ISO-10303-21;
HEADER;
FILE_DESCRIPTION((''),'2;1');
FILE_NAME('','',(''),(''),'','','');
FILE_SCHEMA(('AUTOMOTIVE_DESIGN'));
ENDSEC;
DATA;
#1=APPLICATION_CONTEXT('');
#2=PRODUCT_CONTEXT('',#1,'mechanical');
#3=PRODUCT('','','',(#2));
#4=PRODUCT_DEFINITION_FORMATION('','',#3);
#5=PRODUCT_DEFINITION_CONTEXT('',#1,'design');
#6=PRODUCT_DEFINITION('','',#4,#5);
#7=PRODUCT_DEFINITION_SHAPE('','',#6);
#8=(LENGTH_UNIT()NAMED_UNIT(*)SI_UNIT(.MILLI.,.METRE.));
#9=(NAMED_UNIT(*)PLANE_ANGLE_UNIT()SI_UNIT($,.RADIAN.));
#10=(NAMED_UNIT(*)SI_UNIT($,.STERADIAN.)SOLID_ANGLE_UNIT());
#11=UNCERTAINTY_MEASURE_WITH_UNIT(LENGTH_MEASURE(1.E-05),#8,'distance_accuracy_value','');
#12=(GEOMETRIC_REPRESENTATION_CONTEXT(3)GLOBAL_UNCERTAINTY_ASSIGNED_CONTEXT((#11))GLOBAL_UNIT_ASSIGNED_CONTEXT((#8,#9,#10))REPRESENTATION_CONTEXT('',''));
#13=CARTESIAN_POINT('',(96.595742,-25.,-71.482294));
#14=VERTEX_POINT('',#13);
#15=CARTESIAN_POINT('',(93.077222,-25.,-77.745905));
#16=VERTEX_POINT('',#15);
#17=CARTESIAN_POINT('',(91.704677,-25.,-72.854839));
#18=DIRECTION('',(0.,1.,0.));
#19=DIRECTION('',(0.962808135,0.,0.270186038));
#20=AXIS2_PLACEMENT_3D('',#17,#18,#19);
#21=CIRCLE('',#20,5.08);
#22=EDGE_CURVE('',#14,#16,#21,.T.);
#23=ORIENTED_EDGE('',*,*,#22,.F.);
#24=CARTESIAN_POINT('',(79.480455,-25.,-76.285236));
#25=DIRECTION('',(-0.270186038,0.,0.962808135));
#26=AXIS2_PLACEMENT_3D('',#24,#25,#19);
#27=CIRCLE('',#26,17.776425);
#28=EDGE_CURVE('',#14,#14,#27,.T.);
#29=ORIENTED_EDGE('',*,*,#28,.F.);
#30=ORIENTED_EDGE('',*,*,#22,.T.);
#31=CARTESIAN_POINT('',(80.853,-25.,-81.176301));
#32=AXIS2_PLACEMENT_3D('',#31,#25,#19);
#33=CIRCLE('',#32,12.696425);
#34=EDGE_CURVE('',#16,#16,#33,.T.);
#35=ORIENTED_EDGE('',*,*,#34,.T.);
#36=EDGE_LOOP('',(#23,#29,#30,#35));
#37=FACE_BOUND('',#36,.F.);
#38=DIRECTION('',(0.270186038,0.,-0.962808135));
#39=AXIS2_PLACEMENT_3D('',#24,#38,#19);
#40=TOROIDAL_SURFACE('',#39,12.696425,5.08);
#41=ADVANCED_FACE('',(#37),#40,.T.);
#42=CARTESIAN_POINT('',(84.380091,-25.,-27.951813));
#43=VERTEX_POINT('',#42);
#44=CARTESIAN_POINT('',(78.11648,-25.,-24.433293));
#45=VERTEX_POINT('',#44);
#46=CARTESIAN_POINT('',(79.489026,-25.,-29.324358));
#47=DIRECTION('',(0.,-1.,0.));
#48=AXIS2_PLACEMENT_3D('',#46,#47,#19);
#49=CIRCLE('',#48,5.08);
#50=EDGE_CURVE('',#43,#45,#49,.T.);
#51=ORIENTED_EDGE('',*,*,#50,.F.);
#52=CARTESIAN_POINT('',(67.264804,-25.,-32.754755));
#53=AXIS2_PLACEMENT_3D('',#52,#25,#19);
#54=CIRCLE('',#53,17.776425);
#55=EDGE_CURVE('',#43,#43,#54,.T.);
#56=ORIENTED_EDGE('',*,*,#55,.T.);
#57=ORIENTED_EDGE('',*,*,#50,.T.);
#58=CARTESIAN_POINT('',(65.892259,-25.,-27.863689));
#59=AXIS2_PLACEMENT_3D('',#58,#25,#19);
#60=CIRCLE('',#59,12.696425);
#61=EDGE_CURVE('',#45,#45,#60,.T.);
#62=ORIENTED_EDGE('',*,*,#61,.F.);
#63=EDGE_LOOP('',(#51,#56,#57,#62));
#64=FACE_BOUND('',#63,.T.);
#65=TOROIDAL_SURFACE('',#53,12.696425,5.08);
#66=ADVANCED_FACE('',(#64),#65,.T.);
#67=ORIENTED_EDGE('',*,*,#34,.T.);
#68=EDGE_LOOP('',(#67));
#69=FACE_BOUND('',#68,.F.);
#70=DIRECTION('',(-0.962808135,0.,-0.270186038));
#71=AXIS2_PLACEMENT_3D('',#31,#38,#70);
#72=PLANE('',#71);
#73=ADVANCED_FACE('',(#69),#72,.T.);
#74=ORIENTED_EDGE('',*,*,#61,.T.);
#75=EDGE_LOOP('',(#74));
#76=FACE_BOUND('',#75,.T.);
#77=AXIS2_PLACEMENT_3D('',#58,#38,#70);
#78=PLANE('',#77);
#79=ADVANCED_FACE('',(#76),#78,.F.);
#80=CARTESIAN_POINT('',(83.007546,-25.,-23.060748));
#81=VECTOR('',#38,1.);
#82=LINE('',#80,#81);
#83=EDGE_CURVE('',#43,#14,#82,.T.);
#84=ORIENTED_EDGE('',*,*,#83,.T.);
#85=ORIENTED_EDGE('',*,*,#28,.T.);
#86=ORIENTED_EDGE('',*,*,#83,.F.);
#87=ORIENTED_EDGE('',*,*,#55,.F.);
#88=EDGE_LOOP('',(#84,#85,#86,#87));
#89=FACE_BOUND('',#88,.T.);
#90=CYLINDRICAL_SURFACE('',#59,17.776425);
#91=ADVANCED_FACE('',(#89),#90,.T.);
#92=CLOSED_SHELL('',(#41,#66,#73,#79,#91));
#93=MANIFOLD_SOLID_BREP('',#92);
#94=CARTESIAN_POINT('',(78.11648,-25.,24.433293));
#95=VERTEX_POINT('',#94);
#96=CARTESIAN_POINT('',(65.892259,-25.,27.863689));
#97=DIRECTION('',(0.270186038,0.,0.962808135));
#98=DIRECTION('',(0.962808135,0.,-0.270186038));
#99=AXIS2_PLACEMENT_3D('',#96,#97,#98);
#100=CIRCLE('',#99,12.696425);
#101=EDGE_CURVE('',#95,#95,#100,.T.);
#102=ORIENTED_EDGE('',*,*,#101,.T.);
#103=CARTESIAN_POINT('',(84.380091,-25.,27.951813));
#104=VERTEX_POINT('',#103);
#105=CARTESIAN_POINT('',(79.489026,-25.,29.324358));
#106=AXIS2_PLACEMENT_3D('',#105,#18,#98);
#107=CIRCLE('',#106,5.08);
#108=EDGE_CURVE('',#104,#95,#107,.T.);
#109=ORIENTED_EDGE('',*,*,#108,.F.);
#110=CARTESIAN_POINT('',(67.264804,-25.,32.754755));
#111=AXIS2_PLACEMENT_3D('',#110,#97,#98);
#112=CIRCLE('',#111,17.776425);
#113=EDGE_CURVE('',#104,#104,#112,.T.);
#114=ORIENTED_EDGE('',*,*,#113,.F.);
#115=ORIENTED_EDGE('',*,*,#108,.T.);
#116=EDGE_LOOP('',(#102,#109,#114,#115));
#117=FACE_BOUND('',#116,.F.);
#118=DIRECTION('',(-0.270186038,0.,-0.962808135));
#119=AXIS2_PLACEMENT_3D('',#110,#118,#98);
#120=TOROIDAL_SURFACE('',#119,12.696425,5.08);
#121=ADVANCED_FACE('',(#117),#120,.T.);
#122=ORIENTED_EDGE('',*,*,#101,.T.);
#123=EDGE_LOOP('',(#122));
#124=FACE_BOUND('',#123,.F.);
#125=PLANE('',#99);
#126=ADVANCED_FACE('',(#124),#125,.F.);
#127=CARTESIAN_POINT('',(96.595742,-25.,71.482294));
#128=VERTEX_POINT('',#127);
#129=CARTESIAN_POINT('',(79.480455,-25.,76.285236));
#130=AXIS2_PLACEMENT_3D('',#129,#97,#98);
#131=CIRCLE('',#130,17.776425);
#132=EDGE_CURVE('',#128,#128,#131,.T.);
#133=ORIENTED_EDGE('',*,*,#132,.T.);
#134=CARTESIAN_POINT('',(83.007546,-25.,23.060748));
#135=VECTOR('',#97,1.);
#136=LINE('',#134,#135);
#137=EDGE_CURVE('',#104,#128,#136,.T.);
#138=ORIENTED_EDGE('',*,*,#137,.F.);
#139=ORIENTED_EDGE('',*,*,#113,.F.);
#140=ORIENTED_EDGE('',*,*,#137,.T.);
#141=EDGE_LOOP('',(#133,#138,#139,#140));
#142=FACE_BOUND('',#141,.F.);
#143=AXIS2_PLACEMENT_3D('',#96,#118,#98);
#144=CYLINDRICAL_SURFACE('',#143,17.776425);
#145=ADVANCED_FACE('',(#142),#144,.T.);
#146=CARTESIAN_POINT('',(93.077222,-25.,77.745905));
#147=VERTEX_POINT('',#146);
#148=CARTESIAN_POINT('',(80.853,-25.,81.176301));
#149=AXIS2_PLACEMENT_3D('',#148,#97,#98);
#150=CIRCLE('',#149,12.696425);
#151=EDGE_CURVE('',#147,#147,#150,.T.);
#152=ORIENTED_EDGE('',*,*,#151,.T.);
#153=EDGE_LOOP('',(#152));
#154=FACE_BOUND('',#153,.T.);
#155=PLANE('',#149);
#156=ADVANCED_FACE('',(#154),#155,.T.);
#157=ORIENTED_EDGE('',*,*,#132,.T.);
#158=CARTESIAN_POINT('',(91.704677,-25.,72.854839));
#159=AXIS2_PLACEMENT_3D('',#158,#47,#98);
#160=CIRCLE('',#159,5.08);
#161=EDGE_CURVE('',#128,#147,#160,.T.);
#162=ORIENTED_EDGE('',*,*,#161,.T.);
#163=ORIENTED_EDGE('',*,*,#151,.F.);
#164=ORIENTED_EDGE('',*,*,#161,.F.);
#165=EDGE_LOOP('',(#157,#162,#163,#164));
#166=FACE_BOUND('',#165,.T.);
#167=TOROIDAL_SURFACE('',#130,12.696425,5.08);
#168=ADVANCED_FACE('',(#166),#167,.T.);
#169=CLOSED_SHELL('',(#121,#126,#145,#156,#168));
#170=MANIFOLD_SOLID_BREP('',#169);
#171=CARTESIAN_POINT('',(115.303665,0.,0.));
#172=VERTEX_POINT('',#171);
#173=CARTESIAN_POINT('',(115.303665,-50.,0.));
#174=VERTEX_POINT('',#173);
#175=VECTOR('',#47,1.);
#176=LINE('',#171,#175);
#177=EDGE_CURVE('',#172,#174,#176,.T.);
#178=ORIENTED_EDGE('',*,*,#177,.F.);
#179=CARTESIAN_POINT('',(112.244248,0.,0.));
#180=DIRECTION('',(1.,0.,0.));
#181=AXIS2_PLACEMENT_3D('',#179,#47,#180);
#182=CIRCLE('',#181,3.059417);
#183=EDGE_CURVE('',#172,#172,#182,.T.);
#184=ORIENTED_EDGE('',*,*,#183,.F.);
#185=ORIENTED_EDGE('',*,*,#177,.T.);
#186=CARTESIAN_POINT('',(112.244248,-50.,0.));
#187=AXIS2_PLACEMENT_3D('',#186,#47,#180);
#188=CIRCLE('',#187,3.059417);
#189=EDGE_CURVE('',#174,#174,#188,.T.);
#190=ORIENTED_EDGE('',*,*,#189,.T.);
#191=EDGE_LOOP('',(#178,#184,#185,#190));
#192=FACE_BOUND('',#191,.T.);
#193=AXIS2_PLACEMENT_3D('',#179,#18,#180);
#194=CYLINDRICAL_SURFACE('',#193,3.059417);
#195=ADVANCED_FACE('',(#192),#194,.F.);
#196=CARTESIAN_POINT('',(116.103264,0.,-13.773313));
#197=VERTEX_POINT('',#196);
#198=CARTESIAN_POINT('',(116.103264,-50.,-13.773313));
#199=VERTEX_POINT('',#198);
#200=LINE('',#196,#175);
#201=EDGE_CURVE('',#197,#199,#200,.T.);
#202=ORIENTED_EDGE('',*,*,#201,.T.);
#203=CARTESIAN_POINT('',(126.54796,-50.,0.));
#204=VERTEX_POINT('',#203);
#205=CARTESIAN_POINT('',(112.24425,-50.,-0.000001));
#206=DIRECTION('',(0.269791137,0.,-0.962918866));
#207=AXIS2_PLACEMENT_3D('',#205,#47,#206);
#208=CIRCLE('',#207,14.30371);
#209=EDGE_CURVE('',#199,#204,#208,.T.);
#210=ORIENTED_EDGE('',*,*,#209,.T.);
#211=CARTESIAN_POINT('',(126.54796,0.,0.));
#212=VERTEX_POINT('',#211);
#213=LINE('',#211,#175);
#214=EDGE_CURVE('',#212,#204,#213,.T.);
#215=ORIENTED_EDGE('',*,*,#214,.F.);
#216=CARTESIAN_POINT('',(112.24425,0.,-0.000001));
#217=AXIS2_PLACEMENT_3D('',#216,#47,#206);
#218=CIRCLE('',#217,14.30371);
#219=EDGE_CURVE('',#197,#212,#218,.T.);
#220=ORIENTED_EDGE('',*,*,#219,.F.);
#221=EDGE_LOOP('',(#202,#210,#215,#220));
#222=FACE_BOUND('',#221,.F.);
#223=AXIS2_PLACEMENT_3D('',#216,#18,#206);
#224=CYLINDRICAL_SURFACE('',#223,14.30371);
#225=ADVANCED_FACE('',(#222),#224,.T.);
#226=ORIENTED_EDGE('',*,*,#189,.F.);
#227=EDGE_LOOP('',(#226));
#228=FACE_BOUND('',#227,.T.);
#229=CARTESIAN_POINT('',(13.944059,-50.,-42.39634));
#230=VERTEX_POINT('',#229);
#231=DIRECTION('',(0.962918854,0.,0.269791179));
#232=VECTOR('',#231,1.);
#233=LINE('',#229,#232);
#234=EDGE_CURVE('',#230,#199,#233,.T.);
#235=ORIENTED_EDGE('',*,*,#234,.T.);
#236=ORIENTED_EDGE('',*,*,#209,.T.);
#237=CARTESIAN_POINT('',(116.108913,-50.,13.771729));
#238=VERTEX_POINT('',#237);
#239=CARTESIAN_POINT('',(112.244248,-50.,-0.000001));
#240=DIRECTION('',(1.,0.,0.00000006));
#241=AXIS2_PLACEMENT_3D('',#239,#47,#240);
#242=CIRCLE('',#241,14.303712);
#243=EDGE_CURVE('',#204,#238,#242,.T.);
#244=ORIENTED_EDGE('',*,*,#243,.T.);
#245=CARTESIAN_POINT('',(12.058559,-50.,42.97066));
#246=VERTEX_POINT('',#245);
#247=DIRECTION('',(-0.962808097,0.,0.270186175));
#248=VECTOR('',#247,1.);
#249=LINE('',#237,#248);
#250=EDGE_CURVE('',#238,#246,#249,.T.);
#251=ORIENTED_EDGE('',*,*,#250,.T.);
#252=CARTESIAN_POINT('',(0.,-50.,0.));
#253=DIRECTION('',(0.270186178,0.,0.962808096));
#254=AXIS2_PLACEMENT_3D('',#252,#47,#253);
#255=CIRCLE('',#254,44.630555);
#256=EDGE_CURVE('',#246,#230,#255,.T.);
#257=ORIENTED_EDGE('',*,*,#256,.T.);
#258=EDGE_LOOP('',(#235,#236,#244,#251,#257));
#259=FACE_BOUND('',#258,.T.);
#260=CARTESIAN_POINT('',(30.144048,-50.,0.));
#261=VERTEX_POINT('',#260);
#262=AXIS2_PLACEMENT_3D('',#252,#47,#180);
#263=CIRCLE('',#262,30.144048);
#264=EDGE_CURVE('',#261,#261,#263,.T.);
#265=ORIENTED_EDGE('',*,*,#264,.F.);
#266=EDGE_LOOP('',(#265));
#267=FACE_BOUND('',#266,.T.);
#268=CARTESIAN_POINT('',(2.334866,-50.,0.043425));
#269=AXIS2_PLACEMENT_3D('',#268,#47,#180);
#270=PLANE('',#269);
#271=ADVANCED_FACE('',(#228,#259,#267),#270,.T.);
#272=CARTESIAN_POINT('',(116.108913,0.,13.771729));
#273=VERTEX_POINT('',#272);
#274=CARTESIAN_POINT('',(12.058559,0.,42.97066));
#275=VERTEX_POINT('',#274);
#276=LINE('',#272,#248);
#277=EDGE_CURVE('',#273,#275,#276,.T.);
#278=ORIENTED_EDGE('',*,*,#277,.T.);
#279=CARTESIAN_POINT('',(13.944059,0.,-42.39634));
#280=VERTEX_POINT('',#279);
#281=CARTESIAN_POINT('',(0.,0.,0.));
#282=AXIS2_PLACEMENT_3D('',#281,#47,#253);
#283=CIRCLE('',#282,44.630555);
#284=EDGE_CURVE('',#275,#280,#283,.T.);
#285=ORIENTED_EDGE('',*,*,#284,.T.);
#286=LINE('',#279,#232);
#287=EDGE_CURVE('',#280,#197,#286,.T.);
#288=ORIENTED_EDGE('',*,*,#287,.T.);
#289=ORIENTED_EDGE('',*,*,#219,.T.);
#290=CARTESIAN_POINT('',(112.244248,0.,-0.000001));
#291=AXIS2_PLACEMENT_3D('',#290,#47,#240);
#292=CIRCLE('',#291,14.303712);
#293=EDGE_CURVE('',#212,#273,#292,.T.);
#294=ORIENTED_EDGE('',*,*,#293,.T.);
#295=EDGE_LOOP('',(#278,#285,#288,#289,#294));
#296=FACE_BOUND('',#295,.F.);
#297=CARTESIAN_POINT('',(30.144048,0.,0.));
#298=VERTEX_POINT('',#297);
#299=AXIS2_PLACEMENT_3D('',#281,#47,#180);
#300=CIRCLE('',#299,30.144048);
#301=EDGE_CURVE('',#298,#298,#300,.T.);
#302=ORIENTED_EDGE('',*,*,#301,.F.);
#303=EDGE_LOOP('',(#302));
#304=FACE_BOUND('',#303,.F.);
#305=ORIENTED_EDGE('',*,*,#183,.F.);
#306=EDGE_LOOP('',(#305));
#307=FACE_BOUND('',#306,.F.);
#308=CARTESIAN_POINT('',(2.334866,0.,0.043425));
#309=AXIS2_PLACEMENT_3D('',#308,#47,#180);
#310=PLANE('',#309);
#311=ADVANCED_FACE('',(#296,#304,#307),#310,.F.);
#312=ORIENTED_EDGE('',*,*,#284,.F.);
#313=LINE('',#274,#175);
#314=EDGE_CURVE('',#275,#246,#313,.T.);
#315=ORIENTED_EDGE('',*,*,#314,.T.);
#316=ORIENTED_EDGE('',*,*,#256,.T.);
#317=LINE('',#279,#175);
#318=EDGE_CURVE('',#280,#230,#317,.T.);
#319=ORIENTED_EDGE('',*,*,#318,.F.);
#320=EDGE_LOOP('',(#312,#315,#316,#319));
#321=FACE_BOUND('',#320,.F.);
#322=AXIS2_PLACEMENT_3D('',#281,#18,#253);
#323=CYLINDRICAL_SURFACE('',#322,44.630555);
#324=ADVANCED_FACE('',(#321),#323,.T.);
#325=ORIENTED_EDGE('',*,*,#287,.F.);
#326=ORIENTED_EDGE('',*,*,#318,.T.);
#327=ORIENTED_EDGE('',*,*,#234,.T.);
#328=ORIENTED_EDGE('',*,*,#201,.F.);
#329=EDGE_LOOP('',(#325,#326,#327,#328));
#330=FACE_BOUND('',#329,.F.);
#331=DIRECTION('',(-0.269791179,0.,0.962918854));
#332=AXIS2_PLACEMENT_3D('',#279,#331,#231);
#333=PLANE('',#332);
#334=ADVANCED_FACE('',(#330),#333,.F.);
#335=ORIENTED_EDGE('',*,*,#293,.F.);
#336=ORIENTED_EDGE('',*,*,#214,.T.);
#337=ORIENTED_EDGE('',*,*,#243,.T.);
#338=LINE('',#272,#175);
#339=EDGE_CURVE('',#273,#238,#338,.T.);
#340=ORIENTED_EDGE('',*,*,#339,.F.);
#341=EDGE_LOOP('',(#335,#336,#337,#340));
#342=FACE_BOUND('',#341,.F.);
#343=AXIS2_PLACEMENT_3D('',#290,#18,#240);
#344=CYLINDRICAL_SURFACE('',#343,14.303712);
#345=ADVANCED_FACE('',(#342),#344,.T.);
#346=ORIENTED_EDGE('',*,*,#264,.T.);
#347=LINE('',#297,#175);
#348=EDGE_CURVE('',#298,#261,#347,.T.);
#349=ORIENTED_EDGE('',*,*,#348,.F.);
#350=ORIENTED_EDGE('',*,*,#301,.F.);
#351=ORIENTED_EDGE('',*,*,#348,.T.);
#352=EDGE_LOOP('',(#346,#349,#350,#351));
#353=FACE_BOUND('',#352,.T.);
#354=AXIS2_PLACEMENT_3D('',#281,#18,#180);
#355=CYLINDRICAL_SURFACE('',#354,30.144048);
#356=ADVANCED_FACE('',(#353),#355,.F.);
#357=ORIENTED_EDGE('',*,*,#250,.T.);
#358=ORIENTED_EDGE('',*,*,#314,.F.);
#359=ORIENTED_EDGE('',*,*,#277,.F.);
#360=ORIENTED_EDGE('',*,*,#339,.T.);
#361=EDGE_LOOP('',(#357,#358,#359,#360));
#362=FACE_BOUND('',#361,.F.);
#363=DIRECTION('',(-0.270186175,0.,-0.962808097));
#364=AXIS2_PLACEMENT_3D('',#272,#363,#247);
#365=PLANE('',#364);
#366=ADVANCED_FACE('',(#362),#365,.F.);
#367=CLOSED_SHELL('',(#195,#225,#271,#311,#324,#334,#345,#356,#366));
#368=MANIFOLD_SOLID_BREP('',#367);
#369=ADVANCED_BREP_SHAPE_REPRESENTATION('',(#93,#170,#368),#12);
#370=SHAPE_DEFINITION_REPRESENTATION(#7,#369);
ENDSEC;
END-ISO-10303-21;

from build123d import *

# Parameters (mm, degrees)
F0_R     = 30.144048
F0_R_2   = 3.059417
F1_DEPTH = 50
F2_R     = 17.776425
F3_DEPTH = 55.372
F4_R     = 5.08


with BuildPart() as f1:
    # F0 (on Front) → F1 (new body)
    with BuildSketch(Plane.XZ):
        with BuildLine():
            ThreePointArc((13.944059, -42.39634), (36.153959, -26.168257), (44.630555, 0))
            ThreePointArc((44.630555, 0), (35.567306, 26.960214), (12.058559, 42.97066))
            ThreePointArc((12.058559, 42.97066), (-44.619673, -0.985514), (13.944059, -42.39634))
        make_face()
        Circle(F0_R, mode=Mode.SUBTRACT)
        with BuildLine():
            ThreePointArc((12.058559, 42.97066), (35.567306, 26.960214), (44.630555, 0))
            ThreePointArc((44.630555, 0), (36.153959, -26.168257), (13.944059, -42.39634))
            Line((13.944059, -42.39634), (116.103264, -13.773313))
            ThreePointArc((116.103264, -13.773313), (97.940537, 0.002934), (116.108913, 13.771729))
            Line((116.108913, 13.771729), (12.058559, 42.97066))
        make_face()
        with BuildLine():
            ThreePointArc((126.54796, 0), (123.643266, 8.640518), (116.108913, 13.771729))
            ThreePointArc((116.108913, 13.771729), (97.940537, 0.002934), (116.103264, -13.773313))
            ThreePointArc((116.103264, -13.773313), (123.641494, -8.642856), (126.54796, 0))
        make_face()
        with Locations((112.244248, 0)):
            Circle(F0_R_2, mode=Mode.SUBTRACT)
    extrude(amount=F1_DEPTH)


with BuildPart() as f3:
    # F2 (on face) → F3 (new body)
    with BuildSketch(Plane(origin=(12.058559, 0, 42.97066), x_dir=(0.962808, 0, -0.270186), z_dir=(0.270186, 0, 0.962808))):
        with Locations((55.913217, -25)):
            Circle(F2_R)
    extrude(amount=F3_DEPTH)

    # F4
    f4_edges = [f3.edges().sort_by_distance(p)[0] for p in [
        (63.73772, -25, 85.979236),
        (48.776971, -25, 32.666626),
    ]]
    fillet(f4_edges, radius=F4_R)


with BuildPart() as f5_1:
    # F5: instance of F3
    add(f3.part.mirror(Plane.XY))


solid = Compound([f1.part, f3.part, f5_1.part])
